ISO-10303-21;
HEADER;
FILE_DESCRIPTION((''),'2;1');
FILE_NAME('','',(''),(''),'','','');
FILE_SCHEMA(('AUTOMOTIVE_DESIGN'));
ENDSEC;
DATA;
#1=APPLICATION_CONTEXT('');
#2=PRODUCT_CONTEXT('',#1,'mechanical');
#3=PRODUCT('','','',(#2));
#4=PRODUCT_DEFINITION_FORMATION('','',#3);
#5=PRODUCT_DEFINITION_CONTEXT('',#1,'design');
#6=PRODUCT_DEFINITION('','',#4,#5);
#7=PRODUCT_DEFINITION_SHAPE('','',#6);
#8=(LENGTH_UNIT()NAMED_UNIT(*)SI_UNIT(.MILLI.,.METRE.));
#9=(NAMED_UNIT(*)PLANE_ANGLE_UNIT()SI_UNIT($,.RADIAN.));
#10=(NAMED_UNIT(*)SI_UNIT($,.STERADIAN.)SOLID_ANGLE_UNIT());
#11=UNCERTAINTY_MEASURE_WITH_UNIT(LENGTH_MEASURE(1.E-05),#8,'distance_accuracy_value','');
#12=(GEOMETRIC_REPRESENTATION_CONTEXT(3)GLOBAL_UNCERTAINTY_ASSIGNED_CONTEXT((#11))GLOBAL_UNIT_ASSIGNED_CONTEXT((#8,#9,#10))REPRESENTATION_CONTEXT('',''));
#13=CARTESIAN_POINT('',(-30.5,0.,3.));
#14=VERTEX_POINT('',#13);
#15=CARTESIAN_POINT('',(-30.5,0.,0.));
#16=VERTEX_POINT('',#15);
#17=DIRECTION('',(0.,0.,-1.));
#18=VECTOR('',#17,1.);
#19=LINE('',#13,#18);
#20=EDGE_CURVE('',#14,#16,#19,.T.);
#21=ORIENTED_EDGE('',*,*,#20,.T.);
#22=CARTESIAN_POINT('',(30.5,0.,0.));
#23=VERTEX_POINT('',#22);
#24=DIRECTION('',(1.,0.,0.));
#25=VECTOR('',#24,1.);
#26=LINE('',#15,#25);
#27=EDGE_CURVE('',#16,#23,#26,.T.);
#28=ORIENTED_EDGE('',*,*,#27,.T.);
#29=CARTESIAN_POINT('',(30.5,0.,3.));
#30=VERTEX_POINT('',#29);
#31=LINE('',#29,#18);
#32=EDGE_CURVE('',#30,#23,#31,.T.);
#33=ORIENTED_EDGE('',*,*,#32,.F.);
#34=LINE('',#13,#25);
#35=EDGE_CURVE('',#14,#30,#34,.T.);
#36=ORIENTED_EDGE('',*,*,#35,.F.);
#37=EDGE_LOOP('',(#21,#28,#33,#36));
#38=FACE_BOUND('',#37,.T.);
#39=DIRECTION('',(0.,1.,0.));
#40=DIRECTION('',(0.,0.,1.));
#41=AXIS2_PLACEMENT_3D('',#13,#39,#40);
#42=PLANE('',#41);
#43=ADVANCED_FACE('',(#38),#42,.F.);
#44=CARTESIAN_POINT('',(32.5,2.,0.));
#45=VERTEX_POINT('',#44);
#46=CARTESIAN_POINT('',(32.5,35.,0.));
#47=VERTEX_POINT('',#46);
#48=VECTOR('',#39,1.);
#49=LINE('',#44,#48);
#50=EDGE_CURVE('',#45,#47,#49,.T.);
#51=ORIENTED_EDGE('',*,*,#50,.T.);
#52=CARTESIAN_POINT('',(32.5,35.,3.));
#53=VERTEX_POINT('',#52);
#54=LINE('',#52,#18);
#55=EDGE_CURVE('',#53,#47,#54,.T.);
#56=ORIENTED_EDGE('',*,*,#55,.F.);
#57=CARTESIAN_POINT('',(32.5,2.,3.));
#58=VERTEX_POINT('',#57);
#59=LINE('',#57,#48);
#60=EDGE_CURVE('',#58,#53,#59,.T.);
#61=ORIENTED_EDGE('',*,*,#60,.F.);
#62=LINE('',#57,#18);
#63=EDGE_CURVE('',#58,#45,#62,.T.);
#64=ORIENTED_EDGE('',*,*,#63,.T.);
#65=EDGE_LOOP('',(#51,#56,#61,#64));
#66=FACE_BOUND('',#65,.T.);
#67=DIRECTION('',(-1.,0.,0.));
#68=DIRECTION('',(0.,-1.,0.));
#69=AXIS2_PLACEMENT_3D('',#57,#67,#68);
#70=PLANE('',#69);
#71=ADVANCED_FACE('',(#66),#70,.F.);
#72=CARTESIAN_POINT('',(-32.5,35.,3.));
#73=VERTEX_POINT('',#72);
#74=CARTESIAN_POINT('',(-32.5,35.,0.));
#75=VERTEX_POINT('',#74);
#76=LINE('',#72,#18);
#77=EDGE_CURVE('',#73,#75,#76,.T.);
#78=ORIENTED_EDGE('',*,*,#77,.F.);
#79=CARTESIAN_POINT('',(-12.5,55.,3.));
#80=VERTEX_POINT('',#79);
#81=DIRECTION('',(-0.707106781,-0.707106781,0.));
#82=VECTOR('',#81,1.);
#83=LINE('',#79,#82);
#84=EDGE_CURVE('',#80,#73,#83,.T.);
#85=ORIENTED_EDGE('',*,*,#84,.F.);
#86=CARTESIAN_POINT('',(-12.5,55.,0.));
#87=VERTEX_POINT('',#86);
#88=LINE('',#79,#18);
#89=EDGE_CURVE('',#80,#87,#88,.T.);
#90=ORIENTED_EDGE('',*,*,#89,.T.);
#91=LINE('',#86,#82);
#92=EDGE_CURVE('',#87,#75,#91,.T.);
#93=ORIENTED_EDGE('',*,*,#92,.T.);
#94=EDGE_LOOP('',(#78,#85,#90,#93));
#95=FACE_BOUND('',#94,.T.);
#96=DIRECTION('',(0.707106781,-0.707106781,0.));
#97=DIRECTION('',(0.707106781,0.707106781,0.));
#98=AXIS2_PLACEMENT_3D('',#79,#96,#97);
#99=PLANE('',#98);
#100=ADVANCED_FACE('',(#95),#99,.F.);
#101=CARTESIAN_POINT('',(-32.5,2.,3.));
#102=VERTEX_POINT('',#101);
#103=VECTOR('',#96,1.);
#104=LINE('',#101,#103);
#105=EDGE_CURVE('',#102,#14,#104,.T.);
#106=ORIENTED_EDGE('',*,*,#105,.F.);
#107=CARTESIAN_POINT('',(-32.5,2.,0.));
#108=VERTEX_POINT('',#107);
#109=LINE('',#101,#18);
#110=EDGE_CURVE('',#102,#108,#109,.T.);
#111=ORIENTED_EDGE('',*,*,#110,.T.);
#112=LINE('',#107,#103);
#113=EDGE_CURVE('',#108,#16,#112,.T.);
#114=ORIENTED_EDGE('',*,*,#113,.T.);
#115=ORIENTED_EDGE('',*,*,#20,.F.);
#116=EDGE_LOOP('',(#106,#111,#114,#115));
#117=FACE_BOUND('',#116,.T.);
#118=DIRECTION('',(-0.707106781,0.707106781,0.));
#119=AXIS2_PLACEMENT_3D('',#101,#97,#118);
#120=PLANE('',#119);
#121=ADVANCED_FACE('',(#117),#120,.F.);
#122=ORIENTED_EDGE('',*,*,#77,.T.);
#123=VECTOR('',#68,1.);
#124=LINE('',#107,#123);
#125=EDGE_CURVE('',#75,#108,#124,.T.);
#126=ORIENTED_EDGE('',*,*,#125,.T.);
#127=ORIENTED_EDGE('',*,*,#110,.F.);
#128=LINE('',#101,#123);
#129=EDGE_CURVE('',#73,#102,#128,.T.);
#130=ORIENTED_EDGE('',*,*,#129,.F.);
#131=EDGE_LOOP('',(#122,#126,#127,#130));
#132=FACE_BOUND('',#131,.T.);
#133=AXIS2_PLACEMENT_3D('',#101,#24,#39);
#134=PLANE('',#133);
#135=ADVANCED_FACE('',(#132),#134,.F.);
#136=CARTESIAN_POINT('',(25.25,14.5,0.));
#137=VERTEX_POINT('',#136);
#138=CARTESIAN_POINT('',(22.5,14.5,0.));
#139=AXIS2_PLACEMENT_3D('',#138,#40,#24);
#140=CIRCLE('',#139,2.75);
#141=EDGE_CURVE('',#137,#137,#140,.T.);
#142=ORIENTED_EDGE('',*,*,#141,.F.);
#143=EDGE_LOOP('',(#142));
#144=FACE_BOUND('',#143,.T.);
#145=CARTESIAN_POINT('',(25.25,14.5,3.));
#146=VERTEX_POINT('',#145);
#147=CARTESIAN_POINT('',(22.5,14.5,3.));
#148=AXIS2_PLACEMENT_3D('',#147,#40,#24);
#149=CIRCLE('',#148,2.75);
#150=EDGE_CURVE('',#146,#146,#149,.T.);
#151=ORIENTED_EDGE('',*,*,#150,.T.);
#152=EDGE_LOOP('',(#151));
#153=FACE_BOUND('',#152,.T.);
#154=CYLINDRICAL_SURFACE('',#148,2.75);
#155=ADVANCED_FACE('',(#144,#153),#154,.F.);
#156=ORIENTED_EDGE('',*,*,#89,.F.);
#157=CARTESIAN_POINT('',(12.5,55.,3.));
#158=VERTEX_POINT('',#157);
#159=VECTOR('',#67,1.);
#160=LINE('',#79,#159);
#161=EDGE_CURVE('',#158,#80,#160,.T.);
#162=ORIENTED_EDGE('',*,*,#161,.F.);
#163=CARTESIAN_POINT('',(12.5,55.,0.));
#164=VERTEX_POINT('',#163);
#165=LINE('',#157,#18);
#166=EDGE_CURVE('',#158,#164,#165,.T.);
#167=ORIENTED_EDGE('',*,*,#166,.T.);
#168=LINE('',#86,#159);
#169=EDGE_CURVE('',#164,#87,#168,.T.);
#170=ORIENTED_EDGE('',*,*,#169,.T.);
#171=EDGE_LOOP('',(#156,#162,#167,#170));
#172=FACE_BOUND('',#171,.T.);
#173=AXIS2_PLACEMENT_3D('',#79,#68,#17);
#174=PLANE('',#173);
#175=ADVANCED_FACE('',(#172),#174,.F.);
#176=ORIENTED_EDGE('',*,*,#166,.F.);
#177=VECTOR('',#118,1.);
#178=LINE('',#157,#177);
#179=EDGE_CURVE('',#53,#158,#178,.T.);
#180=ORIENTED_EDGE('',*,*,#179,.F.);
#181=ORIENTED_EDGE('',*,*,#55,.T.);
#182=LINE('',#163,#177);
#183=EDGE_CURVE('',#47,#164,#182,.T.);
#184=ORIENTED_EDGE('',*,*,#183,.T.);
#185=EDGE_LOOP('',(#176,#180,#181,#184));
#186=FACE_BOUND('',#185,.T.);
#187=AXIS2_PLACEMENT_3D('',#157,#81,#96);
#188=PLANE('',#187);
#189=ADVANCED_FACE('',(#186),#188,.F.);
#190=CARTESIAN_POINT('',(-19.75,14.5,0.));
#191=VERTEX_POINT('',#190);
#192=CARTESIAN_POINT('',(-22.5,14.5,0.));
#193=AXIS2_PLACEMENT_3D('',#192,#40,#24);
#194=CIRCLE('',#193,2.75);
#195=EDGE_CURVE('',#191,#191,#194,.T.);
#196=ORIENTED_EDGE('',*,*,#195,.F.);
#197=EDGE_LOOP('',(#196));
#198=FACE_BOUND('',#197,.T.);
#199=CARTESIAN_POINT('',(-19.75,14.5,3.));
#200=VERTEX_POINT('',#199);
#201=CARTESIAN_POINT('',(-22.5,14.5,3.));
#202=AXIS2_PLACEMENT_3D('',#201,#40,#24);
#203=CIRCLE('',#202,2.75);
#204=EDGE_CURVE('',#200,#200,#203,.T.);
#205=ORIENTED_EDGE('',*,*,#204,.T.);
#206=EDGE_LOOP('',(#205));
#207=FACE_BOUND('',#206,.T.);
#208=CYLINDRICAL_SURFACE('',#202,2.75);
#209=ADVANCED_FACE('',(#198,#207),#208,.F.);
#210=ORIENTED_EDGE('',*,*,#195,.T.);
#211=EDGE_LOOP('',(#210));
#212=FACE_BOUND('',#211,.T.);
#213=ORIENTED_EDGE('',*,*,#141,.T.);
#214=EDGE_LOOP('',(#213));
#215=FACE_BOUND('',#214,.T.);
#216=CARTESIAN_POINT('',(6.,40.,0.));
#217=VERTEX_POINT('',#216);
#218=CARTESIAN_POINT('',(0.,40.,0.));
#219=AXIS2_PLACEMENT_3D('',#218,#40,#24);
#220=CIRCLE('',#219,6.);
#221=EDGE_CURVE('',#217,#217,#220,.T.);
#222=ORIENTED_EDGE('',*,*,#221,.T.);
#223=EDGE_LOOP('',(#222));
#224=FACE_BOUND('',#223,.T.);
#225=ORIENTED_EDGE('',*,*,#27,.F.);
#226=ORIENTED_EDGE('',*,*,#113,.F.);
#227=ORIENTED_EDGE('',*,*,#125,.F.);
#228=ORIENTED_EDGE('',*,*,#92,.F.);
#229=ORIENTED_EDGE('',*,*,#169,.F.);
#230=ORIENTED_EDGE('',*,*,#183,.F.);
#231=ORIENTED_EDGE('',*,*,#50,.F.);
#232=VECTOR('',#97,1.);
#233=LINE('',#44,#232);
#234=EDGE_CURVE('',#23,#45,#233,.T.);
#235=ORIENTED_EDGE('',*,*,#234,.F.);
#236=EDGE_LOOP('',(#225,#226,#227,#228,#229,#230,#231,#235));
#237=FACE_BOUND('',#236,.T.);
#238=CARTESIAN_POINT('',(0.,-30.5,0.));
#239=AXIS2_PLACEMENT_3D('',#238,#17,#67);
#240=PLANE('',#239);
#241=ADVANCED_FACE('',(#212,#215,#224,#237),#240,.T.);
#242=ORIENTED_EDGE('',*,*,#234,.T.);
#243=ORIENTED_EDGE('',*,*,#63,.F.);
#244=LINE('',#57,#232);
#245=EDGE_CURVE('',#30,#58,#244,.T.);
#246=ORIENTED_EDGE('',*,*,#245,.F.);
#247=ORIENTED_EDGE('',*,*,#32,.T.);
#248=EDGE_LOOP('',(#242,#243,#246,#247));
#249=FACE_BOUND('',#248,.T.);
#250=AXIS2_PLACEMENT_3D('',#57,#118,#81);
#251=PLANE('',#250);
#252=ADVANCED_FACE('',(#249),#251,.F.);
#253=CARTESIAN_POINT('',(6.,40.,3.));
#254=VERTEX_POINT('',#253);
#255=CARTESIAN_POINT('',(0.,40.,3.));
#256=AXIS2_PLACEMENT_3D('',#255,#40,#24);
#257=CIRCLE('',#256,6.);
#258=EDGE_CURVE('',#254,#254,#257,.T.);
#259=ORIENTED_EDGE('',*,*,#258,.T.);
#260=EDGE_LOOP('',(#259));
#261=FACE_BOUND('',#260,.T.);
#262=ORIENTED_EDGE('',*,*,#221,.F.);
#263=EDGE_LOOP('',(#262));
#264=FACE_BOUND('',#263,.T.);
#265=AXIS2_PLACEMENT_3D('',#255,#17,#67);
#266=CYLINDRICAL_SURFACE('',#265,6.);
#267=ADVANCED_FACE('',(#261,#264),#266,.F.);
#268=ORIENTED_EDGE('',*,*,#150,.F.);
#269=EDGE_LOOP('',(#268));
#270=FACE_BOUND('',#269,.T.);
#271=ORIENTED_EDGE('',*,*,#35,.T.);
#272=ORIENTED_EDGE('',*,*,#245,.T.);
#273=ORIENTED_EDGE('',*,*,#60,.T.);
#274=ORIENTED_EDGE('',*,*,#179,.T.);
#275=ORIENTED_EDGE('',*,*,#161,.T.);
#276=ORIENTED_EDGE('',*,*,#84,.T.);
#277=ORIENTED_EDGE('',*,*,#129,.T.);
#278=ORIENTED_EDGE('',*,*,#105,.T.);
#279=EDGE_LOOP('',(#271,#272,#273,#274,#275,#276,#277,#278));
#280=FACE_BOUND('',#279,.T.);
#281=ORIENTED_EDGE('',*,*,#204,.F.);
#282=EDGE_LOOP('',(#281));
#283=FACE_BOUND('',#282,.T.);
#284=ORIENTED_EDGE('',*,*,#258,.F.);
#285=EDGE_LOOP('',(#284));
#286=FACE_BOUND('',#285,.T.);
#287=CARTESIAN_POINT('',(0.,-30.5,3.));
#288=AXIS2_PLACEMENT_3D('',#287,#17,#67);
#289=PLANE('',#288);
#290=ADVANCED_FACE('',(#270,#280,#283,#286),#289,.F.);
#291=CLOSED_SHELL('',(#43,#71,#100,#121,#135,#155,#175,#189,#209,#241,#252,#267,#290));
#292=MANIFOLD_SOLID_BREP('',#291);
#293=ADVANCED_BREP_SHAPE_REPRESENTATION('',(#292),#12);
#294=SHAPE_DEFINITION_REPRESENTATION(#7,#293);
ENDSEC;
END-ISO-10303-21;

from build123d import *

# Parameters (mm, degrees)
BOSS_EXTRUDE1_DEPTH  = 3
SKETCH2_R            = 6
CUT_EXTRUDE1_DEPTH   = 4
M5_CLEARANCE_HOLE1_D = 5.5


with BuildPart() as part:
    # Sketch1 → Boss-Extrude1 (new body)
    with BuildSketch(Plane.XY):
        Polygon((-12.5, 55), (-32.5, 35), (-32.5, 2), (-30.5, 0), (30.5, 0), (32.5, 2), (32.5, 35), (12.5, 55), align=None)
    extrude(amount=BOSS_EXTRUDE1_DEPTH)

    # Sketch2 → Cut-Extrude1 (cut, through all)
    with BuildSketch(Plane.XY):
        with Locations((0, 40)):
            Circle(SKETCH2_R)
    extrude(amount=CUT_EXTRUDE1_DEPTH, mode=Mode.SUBTRACT)

    # M5 Clearance Hole1 (through all)
    with Locations(Plane.XY.offset(3)):
        with Locations((-22.5, 14.5), (22.5, 14.5)):
            Hole(M5_CLEARANCE_HOLE1_D / 2)


solid = part.part
